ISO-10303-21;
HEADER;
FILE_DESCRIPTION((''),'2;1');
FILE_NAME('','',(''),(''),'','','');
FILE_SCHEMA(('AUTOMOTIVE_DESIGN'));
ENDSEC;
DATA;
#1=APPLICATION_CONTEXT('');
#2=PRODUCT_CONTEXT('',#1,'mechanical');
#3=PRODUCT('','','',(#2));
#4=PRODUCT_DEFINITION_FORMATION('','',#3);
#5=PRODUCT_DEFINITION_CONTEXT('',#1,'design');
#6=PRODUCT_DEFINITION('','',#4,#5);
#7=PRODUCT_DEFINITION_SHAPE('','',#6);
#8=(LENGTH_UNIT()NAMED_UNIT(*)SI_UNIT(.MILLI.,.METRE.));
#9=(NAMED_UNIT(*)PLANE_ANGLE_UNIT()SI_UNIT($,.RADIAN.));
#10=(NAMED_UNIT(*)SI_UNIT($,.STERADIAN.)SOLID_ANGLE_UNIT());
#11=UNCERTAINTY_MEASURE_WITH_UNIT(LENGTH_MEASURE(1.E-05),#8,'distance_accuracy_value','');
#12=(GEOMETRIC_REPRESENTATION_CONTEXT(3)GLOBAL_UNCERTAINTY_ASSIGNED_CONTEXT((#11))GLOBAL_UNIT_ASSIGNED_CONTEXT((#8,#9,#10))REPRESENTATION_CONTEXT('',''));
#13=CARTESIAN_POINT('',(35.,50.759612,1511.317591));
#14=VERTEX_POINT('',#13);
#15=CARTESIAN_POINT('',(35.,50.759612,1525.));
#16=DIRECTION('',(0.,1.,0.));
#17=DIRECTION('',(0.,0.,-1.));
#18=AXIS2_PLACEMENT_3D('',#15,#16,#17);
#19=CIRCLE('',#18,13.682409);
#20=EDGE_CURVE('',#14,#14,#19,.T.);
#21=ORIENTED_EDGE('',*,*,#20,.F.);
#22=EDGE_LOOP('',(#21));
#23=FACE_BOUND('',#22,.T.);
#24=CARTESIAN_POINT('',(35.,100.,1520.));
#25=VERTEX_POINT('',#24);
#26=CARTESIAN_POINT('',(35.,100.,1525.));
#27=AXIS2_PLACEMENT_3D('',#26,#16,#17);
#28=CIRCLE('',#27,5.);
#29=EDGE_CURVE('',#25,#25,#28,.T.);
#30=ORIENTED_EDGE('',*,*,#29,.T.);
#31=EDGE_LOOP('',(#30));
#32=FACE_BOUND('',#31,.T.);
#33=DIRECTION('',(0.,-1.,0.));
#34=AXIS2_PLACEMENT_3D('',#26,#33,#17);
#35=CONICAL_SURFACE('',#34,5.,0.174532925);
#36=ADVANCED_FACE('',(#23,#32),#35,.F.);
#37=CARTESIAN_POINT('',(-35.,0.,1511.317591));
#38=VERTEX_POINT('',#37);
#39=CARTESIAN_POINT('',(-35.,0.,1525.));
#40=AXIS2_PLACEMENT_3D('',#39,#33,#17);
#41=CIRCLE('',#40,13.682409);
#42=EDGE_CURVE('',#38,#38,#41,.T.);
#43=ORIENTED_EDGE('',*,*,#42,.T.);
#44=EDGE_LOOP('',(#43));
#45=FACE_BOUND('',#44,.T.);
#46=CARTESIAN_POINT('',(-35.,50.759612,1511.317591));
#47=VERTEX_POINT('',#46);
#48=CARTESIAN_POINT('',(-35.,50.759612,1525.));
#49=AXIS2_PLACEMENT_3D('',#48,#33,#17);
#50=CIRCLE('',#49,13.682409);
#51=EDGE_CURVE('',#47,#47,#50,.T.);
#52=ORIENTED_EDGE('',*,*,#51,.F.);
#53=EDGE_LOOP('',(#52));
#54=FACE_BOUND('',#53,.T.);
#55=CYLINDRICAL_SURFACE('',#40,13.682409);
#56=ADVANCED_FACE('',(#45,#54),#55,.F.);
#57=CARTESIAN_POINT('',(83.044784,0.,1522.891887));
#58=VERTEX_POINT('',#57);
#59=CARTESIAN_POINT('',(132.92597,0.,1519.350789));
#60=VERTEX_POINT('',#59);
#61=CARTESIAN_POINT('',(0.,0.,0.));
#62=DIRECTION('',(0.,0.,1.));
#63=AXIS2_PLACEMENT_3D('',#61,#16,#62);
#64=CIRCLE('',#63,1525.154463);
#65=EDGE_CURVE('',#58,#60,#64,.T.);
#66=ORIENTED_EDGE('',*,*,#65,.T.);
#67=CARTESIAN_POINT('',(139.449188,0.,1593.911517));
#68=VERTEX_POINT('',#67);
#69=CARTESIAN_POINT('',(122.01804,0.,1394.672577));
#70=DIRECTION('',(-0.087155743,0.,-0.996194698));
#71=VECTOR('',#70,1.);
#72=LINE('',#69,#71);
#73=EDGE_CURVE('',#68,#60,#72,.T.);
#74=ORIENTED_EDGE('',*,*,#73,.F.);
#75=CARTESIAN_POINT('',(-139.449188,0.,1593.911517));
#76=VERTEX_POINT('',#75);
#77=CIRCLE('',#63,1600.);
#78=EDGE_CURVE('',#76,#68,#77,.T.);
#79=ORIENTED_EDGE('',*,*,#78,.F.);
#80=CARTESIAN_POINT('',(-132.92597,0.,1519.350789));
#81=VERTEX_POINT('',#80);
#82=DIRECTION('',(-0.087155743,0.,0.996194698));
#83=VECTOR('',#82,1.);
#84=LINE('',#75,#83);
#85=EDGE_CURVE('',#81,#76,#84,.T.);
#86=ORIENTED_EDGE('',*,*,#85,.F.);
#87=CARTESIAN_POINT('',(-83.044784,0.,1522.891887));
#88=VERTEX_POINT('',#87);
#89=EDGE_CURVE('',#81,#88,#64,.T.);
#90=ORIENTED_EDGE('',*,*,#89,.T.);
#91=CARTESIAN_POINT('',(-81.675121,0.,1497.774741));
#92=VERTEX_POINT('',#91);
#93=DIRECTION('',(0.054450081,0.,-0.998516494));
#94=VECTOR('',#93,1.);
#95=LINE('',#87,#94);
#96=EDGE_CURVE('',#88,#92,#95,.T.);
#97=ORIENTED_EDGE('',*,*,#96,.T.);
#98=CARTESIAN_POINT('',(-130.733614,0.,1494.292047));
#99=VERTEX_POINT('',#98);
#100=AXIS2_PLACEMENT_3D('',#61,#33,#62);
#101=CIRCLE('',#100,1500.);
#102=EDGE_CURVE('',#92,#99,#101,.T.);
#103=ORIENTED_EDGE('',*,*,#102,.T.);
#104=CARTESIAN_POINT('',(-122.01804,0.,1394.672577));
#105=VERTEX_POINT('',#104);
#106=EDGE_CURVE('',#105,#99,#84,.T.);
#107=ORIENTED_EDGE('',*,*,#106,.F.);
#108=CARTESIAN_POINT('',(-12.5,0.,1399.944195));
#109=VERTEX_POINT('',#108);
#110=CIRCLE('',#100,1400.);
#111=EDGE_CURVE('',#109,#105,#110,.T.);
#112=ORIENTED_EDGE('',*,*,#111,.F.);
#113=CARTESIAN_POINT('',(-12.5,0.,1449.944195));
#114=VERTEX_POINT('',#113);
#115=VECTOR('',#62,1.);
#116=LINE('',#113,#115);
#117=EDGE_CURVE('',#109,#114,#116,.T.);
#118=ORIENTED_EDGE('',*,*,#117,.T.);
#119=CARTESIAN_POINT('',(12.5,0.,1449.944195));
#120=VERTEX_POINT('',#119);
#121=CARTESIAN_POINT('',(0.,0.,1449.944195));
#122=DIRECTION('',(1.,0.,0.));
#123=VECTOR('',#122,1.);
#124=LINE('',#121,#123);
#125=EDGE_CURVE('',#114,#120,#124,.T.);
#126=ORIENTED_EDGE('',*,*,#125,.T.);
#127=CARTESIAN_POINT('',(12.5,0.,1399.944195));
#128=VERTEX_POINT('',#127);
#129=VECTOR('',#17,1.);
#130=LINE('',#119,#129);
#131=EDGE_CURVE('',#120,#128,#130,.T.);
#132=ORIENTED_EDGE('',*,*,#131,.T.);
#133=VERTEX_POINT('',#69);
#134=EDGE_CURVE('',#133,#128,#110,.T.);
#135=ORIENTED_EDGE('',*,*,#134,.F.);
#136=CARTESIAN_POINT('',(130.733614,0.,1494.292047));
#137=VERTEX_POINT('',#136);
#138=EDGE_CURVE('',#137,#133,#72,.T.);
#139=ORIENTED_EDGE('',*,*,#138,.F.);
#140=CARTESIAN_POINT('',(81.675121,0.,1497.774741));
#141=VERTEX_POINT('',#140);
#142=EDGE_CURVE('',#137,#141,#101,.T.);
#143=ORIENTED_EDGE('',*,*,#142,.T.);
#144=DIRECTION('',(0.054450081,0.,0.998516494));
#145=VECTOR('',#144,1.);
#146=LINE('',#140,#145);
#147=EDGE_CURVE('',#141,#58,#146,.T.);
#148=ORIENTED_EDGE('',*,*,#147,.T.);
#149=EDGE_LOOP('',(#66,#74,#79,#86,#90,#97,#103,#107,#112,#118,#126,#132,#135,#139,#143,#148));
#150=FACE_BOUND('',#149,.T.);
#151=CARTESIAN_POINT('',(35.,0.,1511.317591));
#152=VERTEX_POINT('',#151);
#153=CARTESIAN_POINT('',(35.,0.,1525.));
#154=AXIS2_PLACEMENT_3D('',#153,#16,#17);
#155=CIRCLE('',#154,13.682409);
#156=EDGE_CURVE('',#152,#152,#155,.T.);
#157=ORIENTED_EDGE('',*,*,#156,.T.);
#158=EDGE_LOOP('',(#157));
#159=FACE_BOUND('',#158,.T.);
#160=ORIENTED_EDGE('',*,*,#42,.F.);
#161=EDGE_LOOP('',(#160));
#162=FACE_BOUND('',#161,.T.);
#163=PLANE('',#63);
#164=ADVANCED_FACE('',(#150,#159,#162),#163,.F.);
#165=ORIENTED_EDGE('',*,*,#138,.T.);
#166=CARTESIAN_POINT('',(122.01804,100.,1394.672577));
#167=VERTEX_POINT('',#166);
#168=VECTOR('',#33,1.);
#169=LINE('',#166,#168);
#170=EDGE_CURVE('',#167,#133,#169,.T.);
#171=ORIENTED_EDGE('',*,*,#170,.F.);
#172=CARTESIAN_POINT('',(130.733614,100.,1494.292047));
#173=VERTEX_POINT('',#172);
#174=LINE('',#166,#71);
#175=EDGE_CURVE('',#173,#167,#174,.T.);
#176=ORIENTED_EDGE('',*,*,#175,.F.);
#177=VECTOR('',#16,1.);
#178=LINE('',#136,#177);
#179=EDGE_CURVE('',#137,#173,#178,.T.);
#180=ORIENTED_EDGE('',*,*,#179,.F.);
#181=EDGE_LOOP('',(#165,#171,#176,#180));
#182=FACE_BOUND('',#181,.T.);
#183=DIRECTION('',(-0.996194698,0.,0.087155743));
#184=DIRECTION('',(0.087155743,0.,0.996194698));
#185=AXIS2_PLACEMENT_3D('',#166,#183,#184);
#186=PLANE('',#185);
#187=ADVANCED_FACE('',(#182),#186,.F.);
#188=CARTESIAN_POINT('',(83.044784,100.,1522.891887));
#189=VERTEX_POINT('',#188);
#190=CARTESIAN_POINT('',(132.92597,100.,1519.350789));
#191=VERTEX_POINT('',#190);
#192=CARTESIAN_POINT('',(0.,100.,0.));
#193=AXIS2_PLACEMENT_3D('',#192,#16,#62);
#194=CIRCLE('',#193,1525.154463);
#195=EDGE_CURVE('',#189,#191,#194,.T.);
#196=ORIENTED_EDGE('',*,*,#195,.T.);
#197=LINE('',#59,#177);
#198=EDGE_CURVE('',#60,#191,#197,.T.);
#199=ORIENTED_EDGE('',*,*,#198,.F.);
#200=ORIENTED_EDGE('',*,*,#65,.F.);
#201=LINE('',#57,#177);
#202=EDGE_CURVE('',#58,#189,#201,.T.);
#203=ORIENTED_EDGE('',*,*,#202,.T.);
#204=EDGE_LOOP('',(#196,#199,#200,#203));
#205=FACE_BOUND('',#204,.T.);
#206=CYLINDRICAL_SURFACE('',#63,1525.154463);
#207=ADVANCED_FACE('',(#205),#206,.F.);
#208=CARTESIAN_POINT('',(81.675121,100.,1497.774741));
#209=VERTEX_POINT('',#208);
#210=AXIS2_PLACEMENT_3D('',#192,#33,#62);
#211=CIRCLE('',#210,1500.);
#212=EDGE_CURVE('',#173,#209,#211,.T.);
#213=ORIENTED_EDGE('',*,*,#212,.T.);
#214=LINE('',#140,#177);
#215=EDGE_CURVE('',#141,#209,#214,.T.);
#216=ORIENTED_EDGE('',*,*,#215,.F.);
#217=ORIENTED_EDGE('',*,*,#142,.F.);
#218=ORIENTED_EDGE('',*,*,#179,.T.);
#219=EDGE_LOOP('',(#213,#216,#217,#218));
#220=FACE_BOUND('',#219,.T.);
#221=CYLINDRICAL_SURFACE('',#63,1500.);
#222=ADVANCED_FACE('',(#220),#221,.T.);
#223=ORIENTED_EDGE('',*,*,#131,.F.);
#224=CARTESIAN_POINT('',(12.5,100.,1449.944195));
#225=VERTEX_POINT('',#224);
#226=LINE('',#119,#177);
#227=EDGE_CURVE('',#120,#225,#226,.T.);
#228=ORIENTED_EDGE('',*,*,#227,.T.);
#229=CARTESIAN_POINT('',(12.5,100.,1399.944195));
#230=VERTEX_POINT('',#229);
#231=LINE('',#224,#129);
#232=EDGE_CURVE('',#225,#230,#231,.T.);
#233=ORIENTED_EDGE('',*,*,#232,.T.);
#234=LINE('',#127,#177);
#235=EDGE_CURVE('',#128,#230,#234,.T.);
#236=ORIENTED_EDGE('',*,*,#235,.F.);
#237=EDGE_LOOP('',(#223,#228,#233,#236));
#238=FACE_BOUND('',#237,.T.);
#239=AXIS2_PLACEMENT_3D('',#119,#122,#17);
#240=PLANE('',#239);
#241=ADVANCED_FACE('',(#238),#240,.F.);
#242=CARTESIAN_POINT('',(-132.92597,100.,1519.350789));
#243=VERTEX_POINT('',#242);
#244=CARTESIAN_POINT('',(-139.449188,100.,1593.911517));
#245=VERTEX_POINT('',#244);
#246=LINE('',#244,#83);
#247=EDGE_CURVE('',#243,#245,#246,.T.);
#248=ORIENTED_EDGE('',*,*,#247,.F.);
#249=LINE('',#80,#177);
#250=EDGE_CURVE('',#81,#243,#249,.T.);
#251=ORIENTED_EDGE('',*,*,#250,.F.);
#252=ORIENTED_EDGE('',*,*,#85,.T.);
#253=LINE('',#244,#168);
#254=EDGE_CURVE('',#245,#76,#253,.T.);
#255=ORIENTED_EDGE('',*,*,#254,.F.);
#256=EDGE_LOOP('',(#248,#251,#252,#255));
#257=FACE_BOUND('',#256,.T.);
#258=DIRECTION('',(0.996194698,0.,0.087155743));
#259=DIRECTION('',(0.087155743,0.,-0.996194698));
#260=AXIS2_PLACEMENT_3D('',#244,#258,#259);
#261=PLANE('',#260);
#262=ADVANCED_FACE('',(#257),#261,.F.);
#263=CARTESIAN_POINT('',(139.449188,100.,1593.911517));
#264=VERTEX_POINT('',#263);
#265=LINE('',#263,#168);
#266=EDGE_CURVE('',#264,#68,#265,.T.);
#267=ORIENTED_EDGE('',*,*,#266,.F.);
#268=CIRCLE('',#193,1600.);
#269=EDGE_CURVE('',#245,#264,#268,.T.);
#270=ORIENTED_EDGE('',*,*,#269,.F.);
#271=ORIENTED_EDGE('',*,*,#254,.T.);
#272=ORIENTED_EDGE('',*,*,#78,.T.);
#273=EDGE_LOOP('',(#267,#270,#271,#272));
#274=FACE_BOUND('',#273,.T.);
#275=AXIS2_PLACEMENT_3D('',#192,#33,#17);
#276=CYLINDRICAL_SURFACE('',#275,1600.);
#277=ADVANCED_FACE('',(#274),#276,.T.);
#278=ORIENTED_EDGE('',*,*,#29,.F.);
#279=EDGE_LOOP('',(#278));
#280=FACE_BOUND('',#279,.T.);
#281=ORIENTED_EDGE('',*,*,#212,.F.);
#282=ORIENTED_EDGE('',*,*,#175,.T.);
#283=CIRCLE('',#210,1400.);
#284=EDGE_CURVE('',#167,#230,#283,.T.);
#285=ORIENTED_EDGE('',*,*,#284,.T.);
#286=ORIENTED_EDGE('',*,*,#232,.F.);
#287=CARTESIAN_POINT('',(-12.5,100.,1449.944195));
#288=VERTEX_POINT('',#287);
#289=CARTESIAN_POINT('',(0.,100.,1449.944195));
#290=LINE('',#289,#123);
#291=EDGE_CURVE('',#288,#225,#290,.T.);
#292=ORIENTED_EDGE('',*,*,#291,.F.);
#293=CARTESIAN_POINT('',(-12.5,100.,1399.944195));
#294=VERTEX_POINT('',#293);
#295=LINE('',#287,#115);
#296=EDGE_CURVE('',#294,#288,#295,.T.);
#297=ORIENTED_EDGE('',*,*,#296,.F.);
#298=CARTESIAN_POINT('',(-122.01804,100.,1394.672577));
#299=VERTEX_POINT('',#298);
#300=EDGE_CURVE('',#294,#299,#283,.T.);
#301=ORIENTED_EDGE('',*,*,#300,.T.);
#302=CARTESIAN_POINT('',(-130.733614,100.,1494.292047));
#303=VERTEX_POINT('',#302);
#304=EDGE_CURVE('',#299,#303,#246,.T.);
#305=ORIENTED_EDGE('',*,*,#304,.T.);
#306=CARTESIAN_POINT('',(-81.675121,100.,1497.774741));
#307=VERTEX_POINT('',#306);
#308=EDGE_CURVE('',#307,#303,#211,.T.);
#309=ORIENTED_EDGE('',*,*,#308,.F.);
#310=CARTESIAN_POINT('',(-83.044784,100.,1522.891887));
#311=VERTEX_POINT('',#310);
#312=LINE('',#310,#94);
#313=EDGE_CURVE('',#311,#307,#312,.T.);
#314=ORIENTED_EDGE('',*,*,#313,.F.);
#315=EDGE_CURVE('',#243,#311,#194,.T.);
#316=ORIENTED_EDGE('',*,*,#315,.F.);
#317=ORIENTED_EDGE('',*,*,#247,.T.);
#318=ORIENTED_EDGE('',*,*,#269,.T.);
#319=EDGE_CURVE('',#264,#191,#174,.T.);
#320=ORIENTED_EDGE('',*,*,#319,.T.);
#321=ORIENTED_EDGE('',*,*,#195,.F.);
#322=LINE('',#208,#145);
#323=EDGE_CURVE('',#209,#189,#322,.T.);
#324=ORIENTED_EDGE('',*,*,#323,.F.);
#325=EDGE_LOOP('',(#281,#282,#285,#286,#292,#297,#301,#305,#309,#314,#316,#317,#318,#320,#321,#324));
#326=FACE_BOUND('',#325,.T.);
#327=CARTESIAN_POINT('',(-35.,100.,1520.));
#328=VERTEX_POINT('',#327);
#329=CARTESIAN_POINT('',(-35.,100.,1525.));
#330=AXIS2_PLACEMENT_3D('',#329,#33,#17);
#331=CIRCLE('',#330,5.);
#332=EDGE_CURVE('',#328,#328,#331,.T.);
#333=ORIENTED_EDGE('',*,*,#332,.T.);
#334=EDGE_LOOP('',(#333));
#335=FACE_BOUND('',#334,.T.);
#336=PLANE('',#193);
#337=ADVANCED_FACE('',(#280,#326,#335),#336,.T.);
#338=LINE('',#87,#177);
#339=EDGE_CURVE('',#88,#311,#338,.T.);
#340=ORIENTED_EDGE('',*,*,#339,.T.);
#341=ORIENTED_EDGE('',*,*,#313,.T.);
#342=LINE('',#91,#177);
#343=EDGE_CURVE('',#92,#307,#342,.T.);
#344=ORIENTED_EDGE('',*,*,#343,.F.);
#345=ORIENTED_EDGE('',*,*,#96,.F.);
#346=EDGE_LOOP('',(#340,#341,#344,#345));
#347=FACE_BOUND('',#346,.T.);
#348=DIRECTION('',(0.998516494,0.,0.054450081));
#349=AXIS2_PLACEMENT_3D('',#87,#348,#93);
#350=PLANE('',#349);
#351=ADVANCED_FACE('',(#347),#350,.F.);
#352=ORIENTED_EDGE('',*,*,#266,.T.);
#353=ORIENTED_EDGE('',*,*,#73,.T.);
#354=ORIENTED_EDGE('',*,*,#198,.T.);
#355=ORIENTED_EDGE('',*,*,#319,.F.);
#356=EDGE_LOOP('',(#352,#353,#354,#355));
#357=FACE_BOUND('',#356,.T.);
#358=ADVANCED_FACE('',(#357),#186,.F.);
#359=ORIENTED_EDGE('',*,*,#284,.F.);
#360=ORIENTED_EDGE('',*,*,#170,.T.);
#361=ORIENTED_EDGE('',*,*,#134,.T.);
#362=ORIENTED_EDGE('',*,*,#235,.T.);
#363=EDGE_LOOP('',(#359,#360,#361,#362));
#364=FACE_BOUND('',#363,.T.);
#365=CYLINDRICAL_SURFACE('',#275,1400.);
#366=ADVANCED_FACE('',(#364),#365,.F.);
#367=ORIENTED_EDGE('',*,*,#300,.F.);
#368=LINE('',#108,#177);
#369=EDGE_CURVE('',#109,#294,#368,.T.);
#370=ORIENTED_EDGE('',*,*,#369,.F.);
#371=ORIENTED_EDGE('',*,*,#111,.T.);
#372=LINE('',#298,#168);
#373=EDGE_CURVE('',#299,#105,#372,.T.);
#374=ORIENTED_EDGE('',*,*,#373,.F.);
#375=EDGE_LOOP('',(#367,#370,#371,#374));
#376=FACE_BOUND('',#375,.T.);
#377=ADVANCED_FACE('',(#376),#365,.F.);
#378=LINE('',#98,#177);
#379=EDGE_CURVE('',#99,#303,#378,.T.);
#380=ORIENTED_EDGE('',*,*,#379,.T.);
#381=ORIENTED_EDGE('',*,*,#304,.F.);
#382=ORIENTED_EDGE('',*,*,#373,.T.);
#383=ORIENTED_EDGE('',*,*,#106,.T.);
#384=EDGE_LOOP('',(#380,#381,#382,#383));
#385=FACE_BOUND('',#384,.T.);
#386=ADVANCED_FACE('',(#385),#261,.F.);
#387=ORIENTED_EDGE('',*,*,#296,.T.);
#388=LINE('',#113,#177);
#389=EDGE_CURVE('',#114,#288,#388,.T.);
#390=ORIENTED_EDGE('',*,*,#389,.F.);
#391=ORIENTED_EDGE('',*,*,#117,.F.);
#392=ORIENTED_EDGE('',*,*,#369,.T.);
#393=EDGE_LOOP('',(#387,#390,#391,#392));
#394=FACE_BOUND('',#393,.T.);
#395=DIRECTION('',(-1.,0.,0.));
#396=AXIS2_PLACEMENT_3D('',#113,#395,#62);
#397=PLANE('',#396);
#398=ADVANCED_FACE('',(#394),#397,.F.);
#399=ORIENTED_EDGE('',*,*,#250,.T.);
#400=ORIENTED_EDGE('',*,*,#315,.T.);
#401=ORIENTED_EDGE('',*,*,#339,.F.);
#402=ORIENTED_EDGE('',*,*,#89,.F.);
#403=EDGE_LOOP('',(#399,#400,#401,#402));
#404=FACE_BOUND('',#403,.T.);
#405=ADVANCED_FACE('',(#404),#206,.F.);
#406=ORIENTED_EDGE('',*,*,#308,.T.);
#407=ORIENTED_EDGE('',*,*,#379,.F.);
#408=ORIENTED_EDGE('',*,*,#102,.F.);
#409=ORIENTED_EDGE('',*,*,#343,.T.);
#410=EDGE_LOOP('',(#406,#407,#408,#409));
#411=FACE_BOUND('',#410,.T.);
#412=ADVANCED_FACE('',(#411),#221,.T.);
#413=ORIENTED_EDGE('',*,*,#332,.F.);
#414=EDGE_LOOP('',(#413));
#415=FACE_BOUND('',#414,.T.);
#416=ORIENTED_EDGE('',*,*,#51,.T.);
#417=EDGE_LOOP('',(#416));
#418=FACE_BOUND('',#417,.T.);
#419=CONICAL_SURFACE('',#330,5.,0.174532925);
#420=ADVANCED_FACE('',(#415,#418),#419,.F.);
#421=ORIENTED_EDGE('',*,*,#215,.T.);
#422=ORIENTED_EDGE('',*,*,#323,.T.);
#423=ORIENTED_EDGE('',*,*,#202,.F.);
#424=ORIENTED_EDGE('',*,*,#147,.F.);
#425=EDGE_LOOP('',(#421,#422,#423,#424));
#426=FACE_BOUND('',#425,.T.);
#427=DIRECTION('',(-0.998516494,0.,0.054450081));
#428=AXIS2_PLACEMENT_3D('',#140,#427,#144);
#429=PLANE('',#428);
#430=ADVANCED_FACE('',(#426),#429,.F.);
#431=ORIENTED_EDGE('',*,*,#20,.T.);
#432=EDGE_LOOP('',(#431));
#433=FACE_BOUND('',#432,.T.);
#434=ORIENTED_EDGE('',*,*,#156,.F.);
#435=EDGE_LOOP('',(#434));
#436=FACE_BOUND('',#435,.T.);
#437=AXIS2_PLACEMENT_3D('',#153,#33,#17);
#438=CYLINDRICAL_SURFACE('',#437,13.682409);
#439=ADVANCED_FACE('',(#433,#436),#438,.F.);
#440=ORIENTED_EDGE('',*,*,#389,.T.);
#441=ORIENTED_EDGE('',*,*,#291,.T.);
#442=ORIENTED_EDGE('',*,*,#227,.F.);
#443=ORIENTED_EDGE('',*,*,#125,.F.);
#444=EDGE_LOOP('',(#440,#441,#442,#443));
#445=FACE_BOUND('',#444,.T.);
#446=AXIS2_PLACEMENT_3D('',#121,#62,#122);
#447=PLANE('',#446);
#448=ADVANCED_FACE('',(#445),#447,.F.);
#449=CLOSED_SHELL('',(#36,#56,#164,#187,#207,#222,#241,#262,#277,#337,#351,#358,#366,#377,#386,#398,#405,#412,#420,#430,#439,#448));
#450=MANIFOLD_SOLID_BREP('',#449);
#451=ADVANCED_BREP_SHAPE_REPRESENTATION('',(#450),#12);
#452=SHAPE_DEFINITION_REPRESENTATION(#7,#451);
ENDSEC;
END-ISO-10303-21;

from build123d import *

# Parameters (mm, degrees)
EXTRUDE_1_DEPTH     = 100
CUT_EXTRUDE_2_DEPTH = 1610.175588972
CUT_EXTRUDE_3_DEPTH = 1610.175588972


with BuildPart() as part:
    # 草图3 → 凸台-拉伸1 (new body)
    with BuildSketch(Plane(origin=(0, 0, 0), x_dir=(1, 0, 0), z_dir=(0, 1, 0))):
        with BuildLine():
            Line((-139.449188396, -1593.911516947), (-122.018039847, -1394.672577328))
            ThreePointArc((-122.018039847, -1394.672577328), (0, -1400), (122.018039847, -1394.672577328))
            Line((122.018039847, -1394.672577328), (139.449188396, -1593.911516947))
            ThreePointArc((139.449188396, -1593.911516947), (0, -1600), (-139.449188396, -1593.911516947))
        make_face()
    extrude(amount=EXTRUDE_1_DEPTH)

    # 草图6 → 切除-拉伸2 (cut, through all)
    with BuildSketch(Plane(origin=(0, 100, 0), x_dir=(1, 0, 0), z_dir=(0, 1, 0))):
        Polygon((-12.5, -1399.944195316), (12.5, -1399.944195316), (12.5, -1449.944195316), (0, -1449.944195316), (-12.5, -1449.944195316), align=None)
    extrude(amount=-CUT_EXTRUDE_2_DEPTH, mode=Mode.SUBTRACT)

    # 草图8 → 切除-旋转1 (revolve, cut)
    with BuildSketch(Plane(origin=(-35, 0, 0), x_dir=(0, 0, -1), z_dir=(1, 0, 0)), mode=Mode.PRIVATE) as cut_revolve_1_sk:
        Polygon((-1525, 100), (-1530, 100), (-1538.682408883, 50.759612349), (-1538.682408883, 0), (-1525, 0), align=None)
    cut_revolve_1 = revolve(cut_revolve_1_sk.sketch.rotate(Axis((-35, 0, 1525), (0, 1, 0)), 180), axis=Axis((-35, 0, 1525), (0, 1, 0)), mode=Mode.SUBTRACT)

    # 镜向1: 切除-旋转1 across plane
    add(cut_revolve_1.mirror(Plane.ZY), mode=Mode.SUBTRACT)

    # 草图9 → 切除-拉伸3 (cut, through all)
    with BuildSketch(Plane(origin=(0, 100, 0), x_dir=(1, 0, 0), z_dir=(0, 1, 0))):
        with BuildLine():
            Line((81.67512146, -1497.774740919), (83.044783982, -1522.891886672))
            ThreePointArc((83.044783982, -1522.891886672), (107.999891135, -1521.325789617), (132.925969989, -1519.350789364))
            Line((132.925969989, -1519.350789364), (130.733614121, -1494.292047138))
            ThreePointArc((130.733614121, -1494.292047138), (106.218642558, -1496.234473595), (81.67512146, -1497.774740919))
        make_face()
        with BuildLine():
            Line((-83.044783982, -1522.891886672), (-81.67512146, -1497.774740919))
            ThreePointArc((-81.67512146, -1497.774740919), (-106.218642558, -1496.234473595), (-130.733614121, -1494.292047138))
            Line((-130.733614121, -1494.292047138), (-132.925969989, -1519.350789364))
            ThreePointArc((-132.925969989, -1519.350789364), (-107.999891135, -1521.325789617), (-83.044783982, -1522.891886672))
        make_face()
    extrude(amount=-CUT_EXTRUDE_3_DEPTH, mode=Mode.SUBTRACT)


solid = part.part
